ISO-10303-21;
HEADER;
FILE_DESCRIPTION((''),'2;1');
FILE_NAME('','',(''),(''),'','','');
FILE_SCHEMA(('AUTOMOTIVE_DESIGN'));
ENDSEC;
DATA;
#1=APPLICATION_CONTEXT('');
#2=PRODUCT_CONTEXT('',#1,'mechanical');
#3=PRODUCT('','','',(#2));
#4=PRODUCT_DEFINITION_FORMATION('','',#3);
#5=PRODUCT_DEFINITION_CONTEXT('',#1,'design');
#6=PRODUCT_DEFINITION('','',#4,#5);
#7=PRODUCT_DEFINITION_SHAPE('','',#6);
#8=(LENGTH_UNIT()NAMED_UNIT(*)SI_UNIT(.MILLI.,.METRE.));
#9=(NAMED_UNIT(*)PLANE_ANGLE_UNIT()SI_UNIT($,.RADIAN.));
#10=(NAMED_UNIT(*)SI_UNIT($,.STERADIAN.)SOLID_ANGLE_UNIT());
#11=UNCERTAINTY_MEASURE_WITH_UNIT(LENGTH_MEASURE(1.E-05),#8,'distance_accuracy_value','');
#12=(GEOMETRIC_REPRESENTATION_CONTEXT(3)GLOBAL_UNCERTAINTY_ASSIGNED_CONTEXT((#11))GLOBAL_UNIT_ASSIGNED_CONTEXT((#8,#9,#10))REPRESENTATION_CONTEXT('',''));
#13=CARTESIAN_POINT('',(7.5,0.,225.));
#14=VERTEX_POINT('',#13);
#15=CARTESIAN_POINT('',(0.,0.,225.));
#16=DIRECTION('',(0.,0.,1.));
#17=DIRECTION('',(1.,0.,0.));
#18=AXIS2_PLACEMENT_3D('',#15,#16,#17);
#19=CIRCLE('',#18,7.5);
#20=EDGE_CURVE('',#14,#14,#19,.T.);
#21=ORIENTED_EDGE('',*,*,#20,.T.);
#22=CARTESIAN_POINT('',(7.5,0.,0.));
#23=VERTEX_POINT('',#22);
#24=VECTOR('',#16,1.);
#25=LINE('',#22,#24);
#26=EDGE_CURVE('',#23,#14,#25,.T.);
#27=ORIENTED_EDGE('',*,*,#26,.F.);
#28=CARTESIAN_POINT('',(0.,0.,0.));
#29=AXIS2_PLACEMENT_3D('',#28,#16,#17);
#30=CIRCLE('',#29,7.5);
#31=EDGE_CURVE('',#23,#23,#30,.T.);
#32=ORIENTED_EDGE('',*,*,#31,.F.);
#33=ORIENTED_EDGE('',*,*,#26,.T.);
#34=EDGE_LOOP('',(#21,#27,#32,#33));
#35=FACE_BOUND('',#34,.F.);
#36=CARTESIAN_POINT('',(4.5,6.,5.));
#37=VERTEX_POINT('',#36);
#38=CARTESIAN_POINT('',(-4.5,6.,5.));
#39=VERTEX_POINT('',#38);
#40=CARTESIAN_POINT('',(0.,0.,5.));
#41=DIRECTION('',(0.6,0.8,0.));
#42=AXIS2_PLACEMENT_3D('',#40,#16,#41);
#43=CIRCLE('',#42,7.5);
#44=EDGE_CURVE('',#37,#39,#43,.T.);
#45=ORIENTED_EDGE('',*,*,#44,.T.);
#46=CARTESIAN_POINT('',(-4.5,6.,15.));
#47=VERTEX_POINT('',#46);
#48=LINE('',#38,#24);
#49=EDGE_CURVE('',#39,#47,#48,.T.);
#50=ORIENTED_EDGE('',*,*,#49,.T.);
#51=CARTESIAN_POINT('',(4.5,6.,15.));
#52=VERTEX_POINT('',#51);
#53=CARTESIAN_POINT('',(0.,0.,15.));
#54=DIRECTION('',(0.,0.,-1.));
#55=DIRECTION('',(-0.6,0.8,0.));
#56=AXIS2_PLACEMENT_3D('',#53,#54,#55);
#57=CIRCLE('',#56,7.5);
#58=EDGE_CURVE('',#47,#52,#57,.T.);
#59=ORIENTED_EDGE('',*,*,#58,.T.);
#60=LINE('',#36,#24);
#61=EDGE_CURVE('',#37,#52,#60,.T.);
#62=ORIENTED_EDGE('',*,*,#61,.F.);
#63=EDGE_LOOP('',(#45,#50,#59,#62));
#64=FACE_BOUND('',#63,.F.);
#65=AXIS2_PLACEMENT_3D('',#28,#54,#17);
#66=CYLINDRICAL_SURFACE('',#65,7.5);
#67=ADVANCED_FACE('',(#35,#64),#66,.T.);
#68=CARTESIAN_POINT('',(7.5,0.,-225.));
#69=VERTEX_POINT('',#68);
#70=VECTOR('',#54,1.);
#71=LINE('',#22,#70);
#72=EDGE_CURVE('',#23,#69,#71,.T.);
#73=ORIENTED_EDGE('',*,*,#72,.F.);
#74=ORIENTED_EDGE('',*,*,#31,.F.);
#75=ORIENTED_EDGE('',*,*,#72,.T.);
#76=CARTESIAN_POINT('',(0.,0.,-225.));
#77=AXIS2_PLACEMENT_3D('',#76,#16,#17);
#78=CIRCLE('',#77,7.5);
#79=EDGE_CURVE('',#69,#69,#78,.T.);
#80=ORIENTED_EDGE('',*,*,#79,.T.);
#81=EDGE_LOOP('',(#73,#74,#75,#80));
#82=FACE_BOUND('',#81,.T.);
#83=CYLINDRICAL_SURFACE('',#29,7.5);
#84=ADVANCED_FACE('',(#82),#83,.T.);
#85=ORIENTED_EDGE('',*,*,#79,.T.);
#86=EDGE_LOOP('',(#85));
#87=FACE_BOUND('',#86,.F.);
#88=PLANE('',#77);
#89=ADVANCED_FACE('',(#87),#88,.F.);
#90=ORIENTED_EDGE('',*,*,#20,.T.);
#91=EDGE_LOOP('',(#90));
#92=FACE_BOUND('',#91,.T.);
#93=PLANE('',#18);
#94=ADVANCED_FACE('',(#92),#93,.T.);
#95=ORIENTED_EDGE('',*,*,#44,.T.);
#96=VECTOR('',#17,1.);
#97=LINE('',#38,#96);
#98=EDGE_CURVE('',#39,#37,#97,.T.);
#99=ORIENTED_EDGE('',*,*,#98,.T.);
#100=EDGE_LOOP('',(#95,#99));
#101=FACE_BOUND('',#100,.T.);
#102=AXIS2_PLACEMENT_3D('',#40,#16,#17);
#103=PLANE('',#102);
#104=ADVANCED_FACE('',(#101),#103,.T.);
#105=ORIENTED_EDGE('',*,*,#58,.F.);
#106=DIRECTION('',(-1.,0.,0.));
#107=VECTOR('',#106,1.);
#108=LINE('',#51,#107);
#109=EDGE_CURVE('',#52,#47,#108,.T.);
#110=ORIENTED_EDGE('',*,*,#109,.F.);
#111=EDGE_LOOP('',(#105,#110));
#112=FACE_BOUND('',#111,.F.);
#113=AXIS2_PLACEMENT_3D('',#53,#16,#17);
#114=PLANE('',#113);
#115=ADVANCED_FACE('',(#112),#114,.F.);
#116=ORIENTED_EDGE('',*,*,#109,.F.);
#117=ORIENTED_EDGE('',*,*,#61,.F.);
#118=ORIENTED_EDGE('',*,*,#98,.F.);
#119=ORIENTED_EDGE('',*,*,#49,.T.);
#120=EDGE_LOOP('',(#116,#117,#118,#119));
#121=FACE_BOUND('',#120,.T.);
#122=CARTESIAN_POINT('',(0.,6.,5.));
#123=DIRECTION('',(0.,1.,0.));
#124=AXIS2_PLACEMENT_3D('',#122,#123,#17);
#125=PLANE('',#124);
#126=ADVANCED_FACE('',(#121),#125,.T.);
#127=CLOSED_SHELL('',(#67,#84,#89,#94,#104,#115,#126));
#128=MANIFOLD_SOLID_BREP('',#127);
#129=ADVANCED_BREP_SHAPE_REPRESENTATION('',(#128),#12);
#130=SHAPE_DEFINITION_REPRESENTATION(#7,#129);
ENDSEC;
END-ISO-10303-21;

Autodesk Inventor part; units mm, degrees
ref_plane "YZ Plane" through (0, 0, 0) normal (1, 0, 0) x (0, 1, 0)
ref_plane "XZ Plane" through (0, 0, 0) normal (0, 1, 0) x (-1, 0, 0)
sketch "Boceto1" plane through (0, 0, 0) normal (0, 0, 1) x (1, 0, 0)
  circle A0 centre (0, 0) radius 7.5
  dimension "d0" = 15
extrude "Extrusión1" add sketch "Boceto1" along normal mid plane 450
ref_plane "Plano de trabajo1" through (0, 0, 5) normal (0, 0, 1) x (1, 0, 0)
sketch "Boceto5" plane through (0, 0, 5) normal (0, 0, 1) x (1, 0, 0)
  circle A0 centre (0, 0) radius 7.5
  circle A1 centre (0, 0) radius 7.5 projected
  line L0 (0, 0) -> (0, 7.5)
  line L1 (0, 7.5) -> (0, 6)
  line L2 (0, 6) -> (4.5, 6)
  arc A2 (4.5, 6) -> (-4.5, 6) centre (0, 0) ccw
  line L3 (0, 6) -> (-4.5, 6)
  point P0 (-4.5, 6)
  dimension "d10" = 15
  dimension "d11" = 1.5
extrude "Extrusión4" cut sketch "Boceto5" along normal blind 10 contours L2 L0 A0 | A0 L0 L3
properties part number "Eje_Engranes_llanta"
